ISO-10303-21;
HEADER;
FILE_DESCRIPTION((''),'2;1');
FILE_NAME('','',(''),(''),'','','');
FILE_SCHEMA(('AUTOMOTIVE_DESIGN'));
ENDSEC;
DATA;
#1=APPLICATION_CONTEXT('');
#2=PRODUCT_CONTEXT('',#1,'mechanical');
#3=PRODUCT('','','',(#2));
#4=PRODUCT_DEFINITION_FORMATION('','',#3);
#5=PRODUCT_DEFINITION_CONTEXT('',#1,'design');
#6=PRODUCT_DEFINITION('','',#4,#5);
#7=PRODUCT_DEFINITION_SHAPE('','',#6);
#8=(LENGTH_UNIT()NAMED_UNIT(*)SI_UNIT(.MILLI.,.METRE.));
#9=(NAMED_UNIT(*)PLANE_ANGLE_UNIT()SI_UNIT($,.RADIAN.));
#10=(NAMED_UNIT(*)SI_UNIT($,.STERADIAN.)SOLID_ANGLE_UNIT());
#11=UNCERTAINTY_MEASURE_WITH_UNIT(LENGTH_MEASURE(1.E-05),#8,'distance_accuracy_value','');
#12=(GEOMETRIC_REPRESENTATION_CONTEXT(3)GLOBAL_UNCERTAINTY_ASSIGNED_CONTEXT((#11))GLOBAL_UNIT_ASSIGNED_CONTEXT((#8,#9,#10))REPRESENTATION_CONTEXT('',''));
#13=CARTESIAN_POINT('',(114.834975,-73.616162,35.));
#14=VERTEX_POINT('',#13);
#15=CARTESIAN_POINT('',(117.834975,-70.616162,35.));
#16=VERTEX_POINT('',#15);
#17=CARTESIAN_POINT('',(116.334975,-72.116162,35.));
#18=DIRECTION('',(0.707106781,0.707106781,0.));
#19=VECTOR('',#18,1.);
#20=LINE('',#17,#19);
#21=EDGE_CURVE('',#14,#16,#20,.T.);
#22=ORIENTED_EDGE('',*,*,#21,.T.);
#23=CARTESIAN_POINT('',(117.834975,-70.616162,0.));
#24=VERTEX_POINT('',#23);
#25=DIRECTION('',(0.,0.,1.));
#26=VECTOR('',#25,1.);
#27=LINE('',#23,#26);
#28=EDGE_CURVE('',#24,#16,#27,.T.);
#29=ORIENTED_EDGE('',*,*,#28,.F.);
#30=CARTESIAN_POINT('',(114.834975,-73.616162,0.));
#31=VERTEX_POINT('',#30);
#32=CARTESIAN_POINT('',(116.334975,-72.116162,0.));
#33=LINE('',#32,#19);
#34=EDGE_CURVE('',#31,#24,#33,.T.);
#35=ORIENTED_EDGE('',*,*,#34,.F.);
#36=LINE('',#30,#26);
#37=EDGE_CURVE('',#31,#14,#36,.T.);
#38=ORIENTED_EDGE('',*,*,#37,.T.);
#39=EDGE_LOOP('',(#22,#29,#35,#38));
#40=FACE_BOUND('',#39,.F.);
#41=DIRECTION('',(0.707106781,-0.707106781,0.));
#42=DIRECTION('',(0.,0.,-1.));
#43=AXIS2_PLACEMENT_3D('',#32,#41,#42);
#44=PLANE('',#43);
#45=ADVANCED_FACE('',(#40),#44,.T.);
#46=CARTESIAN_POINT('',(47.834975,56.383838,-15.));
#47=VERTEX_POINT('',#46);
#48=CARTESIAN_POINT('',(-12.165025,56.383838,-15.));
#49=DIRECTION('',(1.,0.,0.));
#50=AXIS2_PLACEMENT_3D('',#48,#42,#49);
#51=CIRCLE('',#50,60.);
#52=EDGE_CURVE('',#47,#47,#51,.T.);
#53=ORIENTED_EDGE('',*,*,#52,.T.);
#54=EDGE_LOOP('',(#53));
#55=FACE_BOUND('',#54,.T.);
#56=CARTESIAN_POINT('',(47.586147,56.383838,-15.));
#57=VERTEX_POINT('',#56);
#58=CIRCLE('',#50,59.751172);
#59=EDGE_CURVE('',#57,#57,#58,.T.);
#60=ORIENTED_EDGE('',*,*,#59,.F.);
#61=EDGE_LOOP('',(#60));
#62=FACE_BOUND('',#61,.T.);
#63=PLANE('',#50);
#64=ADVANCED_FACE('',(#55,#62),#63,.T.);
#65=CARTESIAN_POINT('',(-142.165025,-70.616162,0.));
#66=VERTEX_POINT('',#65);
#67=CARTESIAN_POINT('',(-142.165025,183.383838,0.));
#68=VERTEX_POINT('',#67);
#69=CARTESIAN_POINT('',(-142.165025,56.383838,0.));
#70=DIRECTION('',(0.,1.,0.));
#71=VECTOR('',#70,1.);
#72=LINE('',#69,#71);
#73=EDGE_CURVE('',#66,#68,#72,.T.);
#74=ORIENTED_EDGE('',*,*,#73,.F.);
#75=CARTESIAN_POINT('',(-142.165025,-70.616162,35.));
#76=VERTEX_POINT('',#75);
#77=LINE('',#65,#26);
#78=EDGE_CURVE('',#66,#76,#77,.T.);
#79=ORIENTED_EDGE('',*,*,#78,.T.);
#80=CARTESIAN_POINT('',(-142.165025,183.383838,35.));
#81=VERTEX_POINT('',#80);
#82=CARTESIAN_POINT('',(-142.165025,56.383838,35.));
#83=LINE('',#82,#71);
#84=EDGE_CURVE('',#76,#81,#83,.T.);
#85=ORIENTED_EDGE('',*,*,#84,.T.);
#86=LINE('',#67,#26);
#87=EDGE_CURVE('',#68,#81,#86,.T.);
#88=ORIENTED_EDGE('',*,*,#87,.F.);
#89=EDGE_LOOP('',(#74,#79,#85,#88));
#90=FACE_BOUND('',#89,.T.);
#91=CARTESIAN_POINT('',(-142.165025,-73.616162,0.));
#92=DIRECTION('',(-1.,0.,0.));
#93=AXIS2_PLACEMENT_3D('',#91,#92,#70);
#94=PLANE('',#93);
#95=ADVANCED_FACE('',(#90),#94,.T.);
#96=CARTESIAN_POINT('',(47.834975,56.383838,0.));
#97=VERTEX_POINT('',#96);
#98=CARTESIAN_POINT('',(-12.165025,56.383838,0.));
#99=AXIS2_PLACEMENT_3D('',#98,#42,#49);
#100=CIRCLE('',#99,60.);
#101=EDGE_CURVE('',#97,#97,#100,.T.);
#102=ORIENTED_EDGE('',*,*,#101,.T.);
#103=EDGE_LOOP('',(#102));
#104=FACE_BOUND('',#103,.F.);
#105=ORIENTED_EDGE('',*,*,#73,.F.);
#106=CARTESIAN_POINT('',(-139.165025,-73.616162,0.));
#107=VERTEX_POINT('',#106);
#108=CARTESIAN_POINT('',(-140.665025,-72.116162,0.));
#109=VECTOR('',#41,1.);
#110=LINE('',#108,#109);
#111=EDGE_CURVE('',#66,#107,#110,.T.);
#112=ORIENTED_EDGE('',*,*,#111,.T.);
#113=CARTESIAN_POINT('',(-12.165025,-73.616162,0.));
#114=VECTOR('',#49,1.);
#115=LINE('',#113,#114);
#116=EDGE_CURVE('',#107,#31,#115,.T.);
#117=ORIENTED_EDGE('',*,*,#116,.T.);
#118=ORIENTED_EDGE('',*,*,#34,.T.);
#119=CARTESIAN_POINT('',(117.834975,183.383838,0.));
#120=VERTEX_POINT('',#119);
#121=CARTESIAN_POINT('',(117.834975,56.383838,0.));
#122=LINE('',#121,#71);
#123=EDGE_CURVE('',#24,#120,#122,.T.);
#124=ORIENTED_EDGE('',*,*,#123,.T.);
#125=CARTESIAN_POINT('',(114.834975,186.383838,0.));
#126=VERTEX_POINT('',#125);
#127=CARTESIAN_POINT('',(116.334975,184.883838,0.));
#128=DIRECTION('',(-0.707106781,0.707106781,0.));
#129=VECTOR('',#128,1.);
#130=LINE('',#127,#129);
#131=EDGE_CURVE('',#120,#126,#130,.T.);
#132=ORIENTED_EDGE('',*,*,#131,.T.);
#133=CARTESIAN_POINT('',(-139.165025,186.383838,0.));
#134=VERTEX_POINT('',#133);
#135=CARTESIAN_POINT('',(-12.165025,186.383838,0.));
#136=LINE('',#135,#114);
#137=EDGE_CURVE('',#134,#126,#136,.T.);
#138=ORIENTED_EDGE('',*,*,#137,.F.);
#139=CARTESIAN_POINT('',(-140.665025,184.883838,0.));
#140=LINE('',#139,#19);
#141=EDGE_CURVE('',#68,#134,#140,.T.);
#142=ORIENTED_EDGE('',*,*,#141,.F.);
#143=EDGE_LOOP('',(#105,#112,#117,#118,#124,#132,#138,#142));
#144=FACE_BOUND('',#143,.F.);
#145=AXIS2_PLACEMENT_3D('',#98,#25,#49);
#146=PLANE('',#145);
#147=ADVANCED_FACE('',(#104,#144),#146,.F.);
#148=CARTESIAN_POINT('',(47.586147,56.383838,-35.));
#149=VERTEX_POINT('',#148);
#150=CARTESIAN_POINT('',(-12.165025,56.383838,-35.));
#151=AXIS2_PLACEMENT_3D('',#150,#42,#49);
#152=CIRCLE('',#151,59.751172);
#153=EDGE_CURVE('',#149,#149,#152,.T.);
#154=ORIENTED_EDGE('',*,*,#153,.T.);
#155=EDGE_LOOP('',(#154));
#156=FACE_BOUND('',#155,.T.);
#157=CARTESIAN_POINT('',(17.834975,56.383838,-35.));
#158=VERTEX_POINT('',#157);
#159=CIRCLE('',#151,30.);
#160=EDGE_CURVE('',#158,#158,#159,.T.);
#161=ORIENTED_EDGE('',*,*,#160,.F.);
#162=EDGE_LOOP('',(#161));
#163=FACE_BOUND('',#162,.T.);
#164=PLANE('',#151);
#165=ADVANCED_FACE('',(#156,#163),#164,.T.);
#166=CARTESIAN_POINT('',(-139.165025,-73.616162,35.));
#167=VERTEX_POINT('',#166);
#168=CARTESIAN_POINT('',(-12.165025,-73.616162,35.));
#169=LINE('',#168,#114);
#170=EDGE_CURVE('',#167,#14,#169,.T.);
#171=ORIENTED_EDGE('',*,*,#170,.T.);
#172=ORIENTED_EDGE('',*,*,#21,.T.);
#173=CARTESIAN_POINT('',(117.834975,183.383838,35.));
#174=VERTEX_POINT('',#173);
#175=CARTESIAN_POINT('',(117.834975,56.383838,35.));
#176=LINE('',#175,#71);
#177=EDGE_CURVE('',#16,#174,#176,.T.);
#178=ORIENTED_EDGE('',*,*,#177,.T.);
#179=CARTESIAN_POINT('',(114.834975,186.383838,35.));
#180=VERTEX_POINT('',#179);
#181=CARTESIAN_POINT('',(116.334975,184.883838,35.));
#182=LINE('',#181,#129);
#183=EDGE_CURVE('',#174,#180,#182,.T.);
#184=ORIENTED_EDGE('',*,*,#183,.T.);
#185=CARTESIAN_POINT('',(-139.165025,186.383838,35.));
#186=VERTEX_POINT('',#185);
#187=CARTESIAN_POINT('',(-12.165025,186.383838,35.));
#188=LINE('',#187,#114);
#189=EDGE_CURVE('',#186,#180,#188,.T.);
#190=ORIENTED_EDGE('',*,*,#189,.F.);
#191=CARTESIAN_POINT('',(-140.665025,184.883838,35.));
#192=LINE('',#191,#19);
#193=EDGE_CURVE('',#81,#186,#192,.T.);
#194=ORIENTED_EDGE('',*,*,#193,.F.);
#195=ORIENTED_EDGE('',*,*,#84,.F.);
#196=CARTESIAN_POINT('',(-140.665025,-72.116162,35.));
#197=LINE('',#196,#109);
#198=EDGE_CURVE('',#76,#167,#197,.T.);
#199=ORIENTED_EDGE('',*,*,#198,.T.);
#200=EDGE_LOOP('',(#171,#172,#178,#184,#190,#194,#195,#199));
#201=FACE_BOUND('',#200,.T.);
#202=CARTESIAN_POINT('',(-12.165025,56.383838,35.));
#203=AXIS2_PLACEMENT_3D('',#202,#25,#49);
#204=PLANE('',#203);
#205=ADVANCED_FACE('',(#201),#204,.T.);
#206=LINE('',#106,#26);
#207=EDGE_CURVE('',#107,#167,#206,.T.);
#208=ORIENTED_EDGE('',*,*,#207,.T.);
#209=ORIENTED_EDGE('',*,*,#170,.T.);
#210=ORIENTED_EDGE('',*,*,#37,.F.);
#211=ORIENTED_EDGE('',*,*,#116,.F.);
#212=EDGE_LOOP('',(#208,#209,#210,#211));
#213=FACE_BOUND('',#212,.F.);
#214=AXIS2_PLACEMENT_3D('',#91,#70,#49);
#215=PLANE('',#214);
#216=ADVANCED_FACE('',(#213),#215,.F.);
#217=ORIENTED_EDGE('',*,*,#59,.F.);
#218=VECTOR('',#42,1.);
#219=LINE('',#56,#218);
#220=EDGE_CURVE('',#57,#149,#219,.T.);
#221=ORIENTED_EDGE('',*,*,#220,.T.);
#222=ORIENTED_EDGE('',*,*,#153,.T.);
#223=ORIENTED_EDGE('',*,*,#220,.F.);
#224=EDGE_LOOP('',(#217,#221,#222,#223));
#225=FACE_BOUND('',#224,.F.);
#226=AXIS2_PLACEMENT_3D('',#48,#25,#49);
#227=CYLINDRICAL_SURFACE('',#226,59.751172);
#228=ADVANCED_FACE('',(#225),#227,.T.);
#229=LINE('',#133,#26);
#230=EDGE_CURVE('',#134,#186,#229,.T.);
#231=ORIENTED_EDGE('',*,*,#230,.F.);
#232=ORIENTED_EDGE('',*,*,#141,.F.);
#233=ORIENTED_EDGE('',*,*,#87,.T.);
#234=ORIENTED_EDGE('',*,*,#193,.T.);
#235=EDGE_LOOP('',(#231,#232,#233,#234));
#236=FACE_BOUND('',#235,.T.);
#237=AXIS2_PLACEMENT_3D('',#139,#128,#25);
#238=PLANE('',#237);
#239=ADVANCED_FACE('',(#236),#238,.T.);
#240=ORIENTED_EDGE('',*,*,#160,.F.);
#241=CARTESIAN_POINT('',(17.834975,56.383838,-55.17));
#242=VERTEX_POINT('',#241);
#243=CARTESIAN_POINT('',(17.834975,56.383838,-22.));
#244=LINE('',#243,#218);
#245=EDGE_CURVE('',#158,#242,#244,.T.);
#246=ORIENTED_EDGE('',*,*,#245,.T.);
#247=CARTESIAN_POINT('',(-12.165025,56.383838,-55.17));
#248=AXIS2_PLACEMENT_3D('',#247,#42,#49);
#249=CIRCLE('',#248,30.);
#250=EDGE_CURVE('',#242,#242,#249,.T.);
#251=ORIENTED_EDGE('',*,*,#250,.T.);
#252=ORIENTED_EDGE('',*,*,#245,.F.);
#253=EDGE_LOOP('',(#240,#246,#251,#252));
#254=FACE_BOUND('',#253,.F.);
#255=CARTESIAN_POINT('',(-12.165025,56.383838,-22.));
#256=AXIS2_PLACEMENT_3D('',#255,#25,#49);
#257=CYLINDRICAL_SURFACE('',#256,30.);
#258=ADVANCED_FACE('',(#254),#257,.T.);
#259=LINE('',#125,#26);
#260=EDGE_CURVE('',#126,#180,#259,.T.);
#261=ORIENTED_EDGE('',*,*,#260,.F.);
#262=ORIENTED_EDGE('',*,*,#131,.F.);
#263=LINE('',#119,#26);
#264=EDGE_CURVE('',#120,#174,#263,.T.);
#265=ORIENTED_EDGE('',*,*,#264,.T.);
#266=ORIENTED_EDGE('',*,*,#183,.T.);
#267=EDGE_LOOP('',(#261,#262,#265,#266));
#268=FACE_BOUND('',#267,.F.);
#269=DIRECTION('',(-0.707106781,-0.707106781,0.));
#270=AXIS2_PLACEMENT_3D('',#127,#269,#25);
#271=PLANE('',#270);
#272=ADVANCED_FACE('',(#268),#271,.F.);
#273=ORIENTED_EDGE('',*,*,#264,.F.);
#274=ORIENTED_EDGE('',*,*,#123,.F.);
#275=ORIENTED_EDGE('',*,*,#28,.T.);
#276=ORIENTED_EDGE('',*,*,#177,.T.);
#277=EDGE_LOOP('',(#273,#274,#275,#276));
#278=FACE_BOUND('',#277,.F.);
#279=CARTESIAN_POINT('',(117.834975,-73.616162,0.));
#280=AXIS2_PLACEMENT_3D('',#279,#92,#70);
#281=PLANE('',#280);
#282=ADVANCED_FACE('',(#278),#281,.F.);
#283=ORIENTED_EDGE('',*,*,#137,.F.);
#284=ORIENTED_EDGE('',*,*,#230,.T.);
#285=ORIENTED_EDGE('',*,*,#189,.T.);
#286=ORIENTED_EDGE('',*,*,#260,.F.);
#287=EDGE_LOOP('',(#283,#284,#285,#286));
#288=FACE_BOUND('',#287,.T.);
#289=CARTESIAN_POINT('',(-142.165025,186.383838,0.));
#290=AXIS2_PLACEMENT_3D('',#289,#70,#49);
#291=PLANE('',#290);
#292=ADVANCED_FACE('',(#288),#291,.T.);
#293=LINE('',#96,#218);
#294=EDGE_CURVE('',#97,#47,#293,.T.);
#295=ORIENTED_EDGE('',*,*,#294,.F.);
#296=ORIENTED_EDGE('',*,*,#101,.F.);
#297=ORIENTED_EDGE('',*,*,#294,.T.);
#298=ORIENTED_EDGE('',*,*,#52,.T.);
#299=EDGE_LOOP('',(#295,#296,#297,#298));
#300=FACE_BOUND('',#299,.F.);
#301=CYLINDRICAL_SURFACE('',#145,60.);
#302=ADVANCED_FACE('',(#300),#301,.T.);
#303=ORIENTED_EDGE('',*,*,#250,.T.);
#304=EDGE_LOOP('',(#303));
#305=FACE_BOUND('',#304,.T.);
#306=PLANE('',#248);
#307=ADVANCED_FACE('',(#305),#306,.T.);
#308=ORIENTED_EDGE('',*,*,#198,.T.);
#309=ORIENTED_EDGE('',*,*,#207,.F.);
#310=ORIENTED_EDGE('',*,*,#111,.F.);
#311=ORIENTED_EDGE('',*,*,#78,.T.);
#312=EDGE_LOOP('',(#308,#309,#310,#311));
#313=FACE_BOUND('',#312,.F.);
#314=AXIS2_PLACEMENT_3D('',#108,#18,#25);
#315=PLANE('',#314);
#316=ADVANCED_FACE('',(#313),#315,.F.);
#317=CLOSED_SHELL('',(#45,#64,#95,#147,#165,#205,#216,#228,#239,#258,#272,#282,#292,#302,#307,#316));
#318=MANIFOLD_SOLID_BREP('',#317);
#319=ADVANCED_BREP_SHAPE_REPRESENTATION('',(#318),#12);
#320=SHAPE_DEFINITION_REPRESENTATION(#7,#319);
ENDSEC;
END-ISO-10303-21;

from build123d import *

# Parameters (mm, degrees)
F0_W     = 260
F0_H     = 260
F1_DEPTH = 35
F2_SIZE  = 3
F3_R     = 60
F4_DEPTH = 15
F5_R     = 59.7511721788
F5_R_2   = 30
F6_DEPTH = 20
F7_DEPTH = 7
F8_DEPTH = 33.17


with BuildPart() as f1:
    # F0 (on Top) → F1 (new body)
    with BuildSketch(Plane.XY):
        with Locations((-12.1650248766, 56.3838380575)):
            Rectangle(F0_W, F0_H)
    extrude(amount=F1_DEPTH)

    # F2
    f2_edges = [f1.edges().sort_by_distance(p)[0] for p in [
        (117.834975, -73.616162, 17.5),
        (117.834975, 186.383838, 17.5),
        (-142.165025, 186.383838, 17.5),
        (-142.165025, -73.616162, 17.5),
    ]]
    chamfer(f2_edges, length=F2_SIZE)

    # F3 (on face) → F4 (join)
    with BuildSketch(Plane(origin=(0, 0, 0), x_dir=(1, 0, 0), z_dir=(0, 0, -1))):
        with Locations((-12.1650248766, -56.3838380575)):
            Circle(F3_R)
    extrude(amount=F4_DEPTH)

    # F5 (on face) → F6 (join)
    with BuildSketch(Plane(origin=(0, 0, -15), x_dir=(1, 0, 0), z_dir=(0, 0, -1))):
        with Locations((-12.1650248766, -56.3838380575)):
            Circle(F5_R)
        with Locations((-12.1650248766, -56.3838380575)):
            Circle(F5_R_2, mode=Mode.SUBTRACT)
    extrude(amount=F6_DEPTH)

    # F7 (add): a face of the model
    f7_faces = [f1.faces().sort_by_distance(p)[0] for p in [
        (-12.1650248766, 56.3838380575, -15),
    ]]
    extrude(f7_faces, amount=F7_DEPTH)

    # F8 (add): a face of the model
    f8_faces = [f1.faces().sort_by_distance(p)[0] for p in [
        (-12.1650248766, 56.3838380575, -22),
    ]]
    extrude(f8_faces, amount=F8_DEPTH)


solid = f1.part
